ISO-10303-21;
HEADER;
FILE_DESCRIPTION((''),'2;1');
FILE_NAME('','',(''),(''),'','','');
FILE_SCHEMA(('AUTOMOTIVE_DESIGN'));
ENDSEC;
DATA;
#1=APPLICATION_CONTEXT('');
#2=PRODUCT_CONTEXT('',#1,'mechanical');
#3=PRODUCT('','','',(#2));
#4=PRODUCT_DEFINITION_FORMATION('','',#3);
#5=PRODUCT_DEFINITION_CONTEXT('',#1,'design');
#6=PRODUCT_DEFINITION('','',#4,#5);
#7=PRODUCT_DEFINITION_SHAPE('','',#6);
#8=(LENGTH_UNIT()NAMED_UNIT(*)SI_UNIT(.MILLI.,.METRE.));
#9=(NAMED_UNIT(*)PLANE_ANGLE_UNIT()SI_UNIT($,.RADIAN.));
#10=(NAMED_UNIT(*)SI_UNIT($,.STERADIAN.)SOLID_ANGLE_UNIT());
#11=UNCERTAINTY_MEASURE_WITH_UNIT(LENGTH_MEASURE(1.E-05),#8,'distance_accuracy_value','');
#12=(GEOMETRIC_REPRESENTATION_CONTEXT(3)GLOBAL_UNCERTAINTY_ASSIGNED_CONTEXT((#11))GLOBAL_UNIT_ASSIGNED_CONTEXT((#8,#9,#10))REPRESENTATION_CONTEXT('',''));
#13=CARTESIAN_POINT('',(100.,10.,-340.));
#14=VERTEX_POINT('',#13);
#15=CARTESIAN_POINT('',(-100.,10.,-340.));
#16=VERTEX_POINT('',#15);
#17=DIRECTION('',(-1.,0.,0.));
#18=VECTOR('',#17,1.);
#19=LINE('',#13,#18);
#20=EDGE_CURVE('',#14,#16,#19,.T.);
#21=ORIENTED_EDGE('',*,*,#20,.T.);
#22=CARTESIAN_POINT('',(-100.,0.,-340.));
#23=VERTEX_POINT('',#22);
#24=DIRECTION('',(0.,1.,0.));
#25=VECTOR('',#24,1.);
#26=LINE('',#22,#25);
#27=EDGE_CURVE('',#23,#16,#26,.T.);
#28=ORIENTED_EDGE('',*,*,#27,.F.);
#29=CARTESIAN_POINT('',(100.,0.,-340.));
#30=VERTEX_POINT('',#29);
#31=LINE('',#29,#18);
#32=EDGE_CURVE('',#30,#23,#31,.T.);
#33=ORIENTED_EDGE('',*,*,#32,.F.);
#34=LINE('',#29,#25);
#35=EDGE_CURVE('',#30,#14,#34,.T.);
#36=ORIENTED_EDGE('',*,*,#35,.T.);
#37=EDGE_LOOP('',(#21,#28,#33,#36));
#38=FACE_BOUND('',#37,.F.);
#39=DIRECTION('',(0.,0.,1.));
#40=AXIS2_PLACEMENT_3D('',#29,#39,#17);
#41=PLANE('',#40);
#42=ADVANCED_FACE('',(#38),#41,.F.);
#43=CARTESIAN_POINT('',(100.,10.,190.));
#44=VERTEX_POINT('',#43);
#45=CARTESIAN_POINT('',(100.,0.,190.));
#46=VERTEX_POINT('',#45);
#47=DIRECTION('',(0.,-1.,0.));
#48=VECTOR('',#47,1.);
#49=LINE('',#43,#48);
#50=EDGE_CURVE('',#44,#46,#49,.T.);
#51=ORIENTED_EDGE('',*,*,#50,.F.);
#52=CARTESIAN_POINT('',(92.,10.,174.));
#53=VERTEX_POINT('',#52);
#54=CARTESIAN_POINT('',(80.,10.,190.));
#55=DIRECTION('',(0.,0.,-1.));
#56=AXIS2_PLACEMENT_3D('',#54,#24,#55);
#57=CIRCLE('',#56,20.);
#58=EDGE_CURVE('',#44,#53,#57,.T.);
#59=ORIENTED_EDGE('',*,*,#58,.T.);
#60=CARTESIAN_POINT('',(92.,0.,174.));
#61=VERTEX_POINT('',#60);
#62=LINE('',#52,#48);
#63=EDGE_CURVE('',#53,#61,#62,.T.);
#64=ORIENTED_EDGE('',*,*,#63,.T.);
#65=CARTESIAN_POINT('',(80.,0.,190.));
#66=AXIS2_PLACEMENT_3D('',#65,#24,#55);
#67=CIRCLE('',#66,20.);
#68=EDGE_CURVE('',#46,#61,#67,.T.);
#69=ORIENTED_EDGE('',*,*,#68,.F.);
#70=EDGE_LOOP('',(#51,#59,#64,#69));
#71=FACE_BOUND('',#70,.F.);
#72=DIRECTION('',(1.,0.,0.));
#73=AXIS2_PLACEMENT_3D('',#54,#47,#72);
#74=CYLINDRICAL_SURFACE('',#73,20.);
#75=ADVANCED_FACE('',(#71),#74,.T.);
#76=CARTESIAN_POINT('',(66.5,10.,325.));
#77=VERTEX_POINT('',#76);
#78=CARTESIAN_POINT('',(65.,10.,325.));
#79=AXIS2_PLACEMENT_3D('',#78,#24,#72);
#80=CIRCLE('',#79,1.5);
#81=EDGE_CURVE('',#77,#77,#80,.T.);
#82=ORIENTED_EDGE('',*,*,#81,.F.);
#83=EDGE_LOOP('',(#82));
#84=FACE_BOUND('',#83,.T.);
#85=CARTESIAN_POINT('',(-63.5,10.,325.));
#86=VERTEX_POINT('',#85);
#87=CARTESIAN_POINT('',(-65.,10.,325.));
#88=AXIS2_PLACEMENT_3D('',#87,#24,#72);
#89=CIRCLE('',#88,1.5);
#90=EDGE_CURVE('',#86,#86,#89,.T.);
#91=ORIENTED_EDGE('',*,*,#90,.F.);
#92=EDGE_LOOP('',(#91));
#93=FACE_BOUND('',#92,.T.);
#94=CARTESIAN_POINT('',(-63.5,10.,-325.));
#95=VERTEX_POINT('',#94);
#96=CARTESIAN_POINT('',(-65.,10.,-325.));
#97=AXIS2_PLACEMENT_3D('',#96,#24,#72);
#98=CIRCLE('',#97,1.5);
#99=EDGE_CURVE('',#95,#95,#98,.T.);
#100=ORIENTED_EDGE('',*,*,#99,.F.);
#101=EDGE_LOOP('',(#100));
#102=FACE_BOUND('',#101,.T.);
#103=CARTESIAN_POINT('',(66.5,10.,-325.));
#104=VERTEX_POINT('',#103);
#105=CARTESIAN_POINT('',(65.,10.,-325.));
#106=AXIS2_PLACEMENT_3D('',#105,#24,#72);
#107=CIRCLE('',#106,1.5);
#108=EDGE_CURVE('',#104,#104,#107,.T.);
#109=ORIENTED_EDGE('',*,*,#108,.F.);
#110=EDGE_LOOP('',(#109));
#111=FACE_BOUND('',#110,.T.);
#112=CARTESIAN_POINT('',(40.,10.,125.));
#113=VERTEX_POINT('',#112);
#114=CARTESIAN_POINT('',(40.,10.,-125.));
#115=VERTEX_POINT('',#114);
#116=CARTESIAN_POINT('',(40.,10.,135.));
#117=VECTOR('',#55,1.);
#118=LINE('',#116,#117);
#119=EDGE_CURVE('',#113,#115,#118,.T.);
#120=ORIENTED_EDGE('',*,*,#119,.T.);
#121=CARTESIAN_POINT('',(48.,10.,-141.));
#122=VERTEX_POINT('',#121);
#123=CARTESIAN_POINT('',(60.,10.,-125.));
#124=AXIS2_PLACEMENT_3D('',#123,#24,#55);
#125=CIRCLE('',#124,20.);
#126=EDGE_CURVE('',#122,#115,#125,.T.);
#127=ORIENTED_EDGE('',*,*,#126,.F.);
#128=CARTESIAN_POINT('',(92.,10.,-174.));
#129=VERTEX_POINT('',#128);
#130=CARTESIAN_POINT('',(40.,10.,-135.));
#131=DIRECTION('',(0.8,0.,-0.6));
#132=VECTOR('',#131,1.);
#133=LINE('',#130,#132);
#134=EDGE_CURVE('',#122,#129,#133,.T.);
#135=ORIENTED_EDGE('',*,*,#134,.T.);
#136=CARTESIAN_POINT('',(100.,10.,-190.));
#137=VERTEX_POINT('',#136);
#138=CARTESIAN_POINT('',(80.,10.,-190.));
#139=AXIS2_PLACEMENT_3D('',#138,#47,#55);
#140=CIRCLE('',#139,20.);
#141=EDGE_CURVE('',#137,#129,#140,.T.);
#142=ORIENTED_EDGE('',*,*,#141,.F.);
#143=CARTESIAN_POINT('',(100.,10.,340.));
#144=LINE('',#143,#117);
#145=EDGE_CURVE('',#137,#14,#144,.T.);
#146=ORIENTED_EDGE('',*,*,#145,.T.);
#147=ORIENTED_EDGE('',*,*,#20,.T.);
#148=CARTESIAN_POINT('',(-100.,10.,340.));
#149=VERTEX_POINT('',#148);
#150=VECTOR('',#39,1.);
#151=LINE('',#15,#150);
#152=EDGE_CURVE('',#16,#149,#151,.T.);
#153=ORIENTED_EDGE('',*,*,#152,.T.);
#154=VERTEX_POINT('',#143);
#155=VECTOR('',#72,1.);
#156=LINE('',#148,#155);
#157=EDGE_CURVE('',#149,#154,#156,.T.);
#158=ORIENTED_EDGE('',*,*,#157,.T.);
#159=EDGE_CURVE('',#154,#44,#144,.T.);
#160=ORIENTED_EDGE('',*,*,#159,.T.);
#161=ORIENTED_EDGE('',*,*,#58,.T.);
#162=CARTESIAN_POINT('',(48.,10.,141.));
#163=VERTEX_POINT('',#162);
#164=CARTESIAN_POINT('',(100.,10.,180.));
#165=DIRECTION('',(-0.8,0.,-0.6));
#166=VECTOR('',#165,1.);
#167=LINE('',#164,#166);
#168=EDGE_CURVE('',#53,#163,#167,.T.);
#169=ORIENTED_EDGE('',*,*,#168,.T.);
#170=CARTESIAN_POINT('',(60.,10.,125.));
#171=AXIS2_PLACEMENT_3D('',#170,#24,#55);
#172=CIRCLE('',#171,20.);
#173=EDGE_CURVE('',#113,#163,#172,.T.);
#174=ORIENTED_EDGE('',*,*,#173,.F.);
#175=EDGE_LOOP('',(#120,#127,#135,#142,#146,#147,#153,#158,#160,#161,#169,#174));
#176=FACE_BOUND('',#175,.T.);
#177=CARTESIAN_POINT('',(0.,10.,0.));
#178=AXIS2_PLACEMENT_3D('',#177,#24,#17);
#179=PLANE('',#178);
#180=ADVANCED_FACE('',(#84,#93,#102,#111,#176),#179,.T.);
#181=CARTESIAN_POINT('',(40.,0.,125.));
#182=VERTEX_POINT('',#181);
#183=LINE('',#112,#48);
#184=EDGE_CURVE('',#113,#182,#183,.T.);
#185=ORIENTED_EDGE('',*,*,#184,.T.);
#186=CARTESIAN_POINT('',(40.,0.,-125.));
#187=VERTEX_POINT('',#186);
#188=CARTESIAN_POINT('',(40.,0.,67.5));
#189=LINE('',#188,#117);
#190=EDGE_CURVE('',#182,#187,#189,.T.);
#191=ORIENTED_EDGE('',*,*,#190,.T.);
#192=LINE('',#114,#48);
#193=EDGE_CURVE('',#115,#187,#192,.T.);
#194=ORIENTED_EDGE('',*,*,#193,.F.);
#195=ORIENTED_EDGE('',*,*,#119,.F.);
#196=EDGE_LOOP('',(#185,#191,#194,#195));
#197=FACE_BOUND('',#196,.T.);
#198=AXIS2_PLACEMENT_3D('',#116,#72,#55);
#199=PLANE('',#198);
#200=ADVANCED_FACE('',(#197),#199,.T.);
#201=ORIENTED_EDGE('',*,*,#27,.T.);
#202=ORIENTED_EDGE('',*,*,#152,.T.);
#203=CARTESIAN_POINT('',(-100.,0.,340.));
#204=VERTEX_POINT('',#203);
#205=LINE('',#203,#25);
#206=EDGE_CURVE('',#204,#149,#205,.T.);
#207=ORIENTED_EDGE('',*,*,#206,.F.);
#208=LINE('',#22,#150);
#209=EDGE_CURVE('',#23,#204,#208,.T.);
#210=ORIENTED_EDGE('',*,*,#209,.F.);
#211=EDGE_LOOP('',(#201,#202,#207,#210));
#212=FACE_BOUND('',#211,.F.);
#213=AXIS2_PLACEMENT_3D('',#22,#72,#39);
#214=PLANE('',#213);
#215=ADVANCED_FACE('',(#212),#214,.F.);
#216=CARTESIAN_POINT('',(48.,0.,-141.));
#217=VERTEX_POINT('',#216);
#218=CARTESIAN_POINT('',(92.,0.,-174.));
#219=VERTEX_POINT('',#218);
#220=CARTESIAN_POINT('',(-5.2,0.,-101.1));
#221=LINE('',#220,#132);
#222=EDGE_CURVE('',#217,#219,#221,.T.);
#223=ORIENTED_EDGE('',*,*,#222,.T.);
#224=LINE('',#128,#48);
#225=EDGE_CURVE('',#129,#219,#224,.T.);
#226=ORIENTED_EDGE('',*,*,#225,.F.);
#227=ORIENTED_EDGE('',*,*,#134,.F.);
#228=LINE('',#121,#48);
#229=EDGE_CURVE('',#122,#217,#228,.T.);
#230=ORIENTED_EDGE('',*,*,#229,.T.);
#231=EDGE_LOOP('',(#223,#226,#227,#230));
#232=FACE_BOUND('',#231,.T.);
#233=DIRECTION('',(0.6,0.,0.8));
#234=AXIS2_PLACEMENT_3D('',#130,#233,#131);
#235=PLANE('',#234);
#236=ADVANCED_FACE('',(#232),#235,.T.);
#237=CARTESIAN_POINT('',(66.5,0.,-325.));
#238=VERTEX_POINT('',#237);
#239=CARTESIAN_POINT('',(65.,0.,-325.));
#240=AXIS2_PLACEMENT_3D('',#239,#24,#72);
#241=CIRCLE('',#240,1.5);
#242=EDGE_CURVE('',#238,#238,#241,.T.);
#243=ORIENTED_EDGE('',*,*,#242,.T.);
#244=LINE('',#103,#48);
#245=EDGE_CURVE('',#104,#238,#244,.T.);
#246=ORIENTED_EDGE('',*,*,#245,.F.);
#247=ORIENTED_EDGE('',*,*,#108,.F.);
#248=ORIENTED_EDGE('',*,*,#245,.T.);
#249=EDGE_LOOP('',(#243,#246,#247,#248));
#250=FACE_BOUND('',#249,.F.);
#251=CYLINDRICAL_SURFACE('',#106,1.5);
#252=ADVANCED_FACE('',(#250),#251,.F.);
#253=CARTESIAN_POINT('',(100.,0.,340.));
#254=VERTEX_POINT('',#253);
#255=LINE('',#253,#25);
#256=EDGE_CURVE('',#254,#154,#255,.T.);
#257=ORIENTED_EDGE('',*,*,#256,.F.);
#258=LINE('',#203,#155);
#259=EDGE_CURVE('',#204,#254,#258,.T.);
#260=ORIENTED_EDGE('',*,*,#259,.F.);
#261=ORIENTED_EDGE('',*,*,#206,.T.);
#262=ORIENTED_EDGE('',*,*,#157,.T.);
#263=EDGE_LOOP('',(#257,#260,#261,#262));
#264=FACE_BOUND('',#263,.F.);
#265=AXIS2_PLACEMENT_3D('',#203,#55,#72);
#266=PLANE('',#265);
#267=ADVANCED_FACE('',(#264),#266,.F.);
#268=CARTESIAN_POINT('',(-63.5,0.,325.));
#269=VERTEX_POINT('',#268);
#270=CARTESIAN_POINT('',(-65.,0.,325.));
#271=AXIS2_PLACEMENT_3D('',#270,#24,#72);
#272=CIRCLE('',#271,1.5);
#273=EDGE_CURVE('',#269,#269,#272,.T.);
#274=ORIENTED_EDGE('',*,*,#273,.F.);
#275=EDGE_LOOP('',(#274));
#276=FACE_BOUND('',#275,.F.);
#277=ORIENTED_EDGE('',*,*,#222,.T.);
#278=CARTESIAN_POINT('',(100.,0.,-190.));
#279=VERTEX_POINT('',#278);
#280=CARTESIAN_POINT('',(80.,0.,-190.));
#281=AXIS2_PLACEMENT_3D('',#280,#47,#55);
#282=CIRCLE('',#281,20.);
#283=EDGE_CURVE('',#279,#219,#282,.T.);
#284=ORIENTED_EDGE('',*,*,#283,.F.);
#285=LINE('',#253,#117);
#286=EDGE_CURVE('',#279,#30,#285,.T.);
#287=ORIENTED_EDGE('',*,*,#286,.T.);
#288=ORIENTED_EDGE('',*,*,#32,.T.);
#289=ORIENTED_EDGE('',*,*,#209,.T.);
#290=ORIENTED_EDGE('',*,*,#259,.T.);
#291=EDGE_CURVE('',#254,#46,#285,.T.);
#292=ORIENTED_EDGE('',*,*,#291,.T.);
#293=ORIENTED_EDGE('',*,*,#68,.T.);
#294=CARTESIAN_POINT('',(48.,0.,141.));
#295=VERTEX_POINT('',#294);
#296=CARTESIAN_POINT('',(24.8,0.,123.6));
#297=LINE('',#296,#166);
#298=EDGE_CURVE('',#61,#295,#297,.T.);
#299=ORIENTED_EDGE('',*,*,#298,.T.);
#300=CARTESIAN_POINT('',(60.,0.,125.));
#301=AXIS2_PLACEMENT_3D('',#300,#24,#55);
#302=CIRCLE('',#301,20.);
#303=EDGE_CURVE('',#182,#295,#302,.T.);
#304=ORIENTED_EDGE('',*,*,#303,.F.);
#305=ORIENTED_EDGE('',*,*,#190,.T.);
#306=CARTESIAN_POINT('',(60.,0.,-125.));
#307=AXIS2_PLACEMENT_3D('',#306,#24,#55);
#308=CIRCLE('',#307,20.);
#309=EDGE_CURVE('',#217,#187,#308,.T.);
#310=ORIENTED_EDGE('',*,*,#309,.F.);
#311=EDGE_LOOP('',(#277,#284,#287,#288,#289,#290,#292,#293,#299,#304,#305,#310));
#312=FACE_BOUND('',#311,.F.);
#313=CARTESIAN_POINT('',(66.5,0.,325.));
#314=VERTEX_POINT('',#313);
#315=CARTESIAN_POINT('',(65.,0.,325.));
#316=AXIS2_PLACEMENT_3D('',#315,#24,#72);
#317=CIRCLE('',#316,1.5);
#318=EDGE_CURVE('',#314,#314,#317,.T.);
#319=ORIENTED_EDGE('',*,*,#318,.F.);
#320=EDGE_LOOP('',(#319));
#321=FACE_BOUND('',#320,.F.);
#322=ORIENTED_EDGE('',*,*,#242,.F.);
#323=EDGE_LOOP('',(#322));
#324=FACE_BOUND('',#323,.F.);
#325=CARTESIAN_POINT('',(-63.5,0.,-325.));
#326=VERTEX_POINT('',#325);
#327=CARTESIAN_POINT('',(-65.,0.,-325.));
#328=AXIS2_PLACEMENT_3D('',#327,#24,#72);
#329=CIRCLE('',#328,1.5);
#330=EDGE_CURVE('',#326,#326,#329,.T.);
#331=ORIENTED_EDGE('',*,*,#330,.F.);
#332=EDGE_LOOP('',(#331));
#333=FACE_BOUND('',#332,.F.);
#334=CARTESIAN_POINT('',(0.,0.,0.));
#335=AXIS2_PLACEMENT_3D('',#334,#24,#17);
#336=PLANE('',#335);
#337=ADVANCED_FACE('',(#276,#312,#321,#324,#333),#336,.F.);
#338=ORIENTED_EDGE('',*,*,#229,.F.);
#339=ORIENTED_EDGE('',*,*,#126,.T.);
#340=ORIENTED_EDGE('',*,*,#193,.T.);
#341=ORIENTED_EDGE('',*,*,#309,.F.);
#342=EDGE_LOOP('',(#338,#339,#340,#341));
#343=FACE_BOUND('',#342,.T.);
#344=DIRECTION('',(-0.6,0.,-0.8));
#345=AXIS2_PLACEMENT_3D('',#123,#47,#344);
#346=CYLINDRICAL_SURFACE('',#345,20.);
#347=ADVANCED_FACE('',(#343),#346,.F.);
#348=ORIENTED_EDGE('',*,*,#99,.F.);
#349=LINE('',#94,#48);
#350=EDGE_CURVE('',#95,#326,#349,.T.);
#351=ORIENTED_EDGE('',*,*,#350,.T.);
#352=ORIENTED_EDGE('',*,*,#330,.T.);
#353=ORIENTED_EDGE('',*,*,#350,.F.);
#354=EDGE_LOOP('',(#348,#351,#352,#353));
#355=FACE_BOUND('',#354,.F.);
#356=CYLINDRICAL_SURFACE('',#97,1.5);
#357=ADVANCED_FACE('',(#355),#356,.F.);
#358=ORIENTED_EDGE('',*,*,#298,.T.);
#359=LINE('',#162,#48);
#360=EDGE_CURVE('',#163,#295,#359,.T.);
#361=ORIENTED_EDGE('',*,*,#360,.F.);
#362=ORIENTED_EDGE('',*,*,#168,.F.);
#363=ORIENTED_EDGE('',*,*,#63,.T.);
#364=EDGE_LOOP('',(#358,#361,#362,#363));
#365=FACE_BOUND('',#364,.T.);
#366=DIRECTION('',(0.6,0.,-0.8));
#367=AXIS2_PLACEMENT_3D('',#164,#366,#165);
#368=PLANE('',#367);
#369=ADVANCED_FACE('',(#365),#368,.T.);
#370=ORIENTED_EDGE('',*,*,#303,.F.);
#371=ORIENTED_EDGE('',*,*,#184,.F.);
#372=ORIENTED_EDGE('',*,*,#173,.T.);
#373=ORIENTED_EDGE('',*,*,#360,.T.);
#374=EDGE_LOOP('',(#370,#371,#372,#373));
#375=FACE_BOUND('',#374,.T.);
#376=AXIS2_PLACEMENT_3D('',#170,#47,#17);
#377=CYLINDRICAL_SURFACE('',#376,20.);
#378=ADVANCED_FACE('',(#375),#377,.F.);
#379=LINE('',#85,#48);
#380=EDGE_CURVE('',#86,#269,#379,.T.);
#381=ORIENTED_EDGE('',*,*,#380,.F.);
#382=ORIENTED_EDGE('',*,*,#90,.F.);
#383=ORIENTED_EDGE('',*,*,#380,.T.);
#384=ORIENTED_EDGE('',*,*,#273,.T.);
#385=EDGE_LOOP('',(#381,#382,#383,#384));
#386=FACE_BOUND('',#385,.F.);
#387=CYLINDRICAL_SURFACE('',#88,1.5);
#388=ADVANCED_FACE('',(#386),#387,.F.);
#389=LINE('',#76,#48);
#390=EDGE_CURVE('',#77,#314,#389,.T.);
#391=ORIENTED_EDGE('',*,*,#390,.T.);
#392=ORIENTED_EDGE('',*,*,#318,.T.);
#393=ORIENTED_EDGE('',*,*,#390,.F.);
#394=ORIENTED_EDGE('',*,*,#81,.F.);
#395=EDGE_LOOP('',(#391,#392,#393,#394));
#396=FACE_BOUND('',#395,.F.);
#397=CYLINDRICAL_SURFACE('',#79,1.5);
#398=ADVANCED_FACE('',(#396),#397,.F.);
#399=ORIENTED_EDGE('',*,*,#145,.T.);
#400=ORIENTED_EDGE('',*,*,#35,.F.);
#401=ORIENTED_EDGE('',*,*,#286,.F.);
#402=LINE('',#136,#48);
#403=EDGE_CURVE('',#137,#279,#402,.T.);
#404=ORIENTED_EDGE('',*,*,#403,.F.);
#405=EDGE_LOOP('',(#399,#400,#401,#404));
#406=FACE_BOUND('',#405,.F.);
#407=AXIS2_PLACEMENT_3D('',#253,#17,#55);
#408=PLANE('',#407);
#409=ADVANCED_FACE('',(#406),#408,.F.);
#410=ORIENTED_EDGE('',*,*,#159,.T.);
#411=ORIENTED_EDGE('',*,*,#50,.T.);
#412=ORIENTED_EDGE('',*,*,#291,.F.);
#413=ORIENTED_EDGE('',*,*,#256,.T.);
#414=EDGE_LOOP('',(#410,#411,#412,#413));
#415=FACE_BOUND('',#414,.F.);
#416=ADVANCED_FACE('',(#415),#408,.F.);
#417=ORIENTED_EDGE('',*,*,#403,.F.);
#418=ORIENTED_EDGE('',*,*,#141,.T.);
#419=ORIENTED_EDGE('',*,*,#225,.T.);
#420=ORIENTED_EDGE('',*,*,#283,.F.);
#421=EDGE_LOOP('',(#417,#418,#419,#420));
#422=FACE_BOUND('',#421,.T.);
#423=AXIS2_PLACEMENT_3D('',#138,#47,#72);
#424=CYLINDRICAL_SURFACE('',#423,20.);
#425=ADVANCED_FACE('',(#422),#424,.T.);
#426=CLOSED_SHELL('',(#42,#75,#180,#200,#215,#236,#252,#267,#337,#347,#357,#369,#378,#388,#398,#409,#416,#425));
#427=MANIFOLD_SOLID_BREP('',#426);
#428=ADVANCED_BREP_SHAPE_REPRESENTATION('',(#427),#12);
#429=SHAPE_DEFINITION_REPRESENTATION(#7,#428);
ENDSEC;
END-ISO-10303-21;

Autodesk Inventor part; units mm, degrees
ref_plane "YZ Plane" through (0, 0, 0) normal (1, 0, 0) x (0, 1, 0)
ref_plane "XZ Plane" through (0, 0, 0) normal (0, 1, 0) x (-1, 0, 0)
ref_plane "XY Plane" through (0, 0, 0) normal (0, 0, 1) x (1, 0, 0)
sketch "Esquisse1" plane through (0, 0, 0) normal (0, 1, 0) x (-1, 0, 0)
  line L0 (100, 340) -> (-100, 340)
  line L1 (-100, 340) -> (-100, -340)
  line L2 (-100, -340) -> (100, -340)
  line L3 (100, -340) -> (100, 340)
  point P0 (0, 0)
  dimension "d0" = 200
  dimension "d1" = 680
  dimension "d2" = 340
  dimension "d3" = 100
extrude "Extrusion1" add sketch "Esquisse1" along normal blind 10
sketch "Esquisse2" plane through (0, 10, 0) normal (0, 1, 0) x (1, 0, 0)
  line L0 (100, -340) -> (100, 340) projected
  line L1 (100, -180) -> (40, -135)
  line L2 (40, -135) -> (40, 135)
  line L3 (40, 135) -> (100, 180)
  line L4 (-100, 340) -> (-100, -340) projected
  point P0 (0, 0)
  dimension "d6" = 140
  dimension "d7" = 160
  dimension "d8" = 270
  dimension "d9" = 135
  dimension "d10" = 160
extrude "Extrusion2" cut sketch "Esquisse2" against normal through all
fillet "Congé1" radius 20 4 edges at (40, 5, 135) (100, 5, 180) (40, 5, -135) (100, 5, -180)
sketch "Esquisse3" plane through (0, 10, 0) normal (0, 1, 0) x (1, 0, 0)
  circle A0 centre (-65, -325) radius 1.5
  circle A1 centre (65, -325) radius 1.5
  circle A2 centre (65, 325) radius 1.5
  circle A3 centre (-65, 325) radius 1.5
  line L0 (-100, 340) -> (-100, -340) projected
  line L1 (100, -340) -> (100, -190) projected
  line L2 (100, 190) -> (100, 340) projected
  line L3 (100, 340) -> (-100, 340) projected
  line L4 (-100, -340) -> (100, -340) projected
  point P0 (0, 0)
  dimension "d14" = 3
  dimension "d15" = 3
  dimension "d16" = 3
  dimension "d17" = 3
  dimension "d18" = 35
  dimension "d19" = 35
  dimension "d20" = 35
  dimension "d21" = 35
  dimension "d22" = 15
  dimension "d23" = 15
  dimension "d24" = 15
  dimension "d25" = 15
extrude "Extrusion3" cut sketch "Esquisse3" against normal through all
equation "\"d2\" = 0.5 * d1"
equation "\"d3\" = 0.5 * d0"
equation "\"d9\" = 0.5 * d8"
equation "\"d15\" = d14"
equation "\"d16\" = d14"
equation "\"d17\" = d14"
equation "\"d19\" = d18"
equation "\"d20\" = d18"
equation "\"d21\" = d18"
equation "\"d23\" = d22"
equation "\"d24\" = d22"
equation "\"d25\" = d24"
properties part number "Coté court plateau"
